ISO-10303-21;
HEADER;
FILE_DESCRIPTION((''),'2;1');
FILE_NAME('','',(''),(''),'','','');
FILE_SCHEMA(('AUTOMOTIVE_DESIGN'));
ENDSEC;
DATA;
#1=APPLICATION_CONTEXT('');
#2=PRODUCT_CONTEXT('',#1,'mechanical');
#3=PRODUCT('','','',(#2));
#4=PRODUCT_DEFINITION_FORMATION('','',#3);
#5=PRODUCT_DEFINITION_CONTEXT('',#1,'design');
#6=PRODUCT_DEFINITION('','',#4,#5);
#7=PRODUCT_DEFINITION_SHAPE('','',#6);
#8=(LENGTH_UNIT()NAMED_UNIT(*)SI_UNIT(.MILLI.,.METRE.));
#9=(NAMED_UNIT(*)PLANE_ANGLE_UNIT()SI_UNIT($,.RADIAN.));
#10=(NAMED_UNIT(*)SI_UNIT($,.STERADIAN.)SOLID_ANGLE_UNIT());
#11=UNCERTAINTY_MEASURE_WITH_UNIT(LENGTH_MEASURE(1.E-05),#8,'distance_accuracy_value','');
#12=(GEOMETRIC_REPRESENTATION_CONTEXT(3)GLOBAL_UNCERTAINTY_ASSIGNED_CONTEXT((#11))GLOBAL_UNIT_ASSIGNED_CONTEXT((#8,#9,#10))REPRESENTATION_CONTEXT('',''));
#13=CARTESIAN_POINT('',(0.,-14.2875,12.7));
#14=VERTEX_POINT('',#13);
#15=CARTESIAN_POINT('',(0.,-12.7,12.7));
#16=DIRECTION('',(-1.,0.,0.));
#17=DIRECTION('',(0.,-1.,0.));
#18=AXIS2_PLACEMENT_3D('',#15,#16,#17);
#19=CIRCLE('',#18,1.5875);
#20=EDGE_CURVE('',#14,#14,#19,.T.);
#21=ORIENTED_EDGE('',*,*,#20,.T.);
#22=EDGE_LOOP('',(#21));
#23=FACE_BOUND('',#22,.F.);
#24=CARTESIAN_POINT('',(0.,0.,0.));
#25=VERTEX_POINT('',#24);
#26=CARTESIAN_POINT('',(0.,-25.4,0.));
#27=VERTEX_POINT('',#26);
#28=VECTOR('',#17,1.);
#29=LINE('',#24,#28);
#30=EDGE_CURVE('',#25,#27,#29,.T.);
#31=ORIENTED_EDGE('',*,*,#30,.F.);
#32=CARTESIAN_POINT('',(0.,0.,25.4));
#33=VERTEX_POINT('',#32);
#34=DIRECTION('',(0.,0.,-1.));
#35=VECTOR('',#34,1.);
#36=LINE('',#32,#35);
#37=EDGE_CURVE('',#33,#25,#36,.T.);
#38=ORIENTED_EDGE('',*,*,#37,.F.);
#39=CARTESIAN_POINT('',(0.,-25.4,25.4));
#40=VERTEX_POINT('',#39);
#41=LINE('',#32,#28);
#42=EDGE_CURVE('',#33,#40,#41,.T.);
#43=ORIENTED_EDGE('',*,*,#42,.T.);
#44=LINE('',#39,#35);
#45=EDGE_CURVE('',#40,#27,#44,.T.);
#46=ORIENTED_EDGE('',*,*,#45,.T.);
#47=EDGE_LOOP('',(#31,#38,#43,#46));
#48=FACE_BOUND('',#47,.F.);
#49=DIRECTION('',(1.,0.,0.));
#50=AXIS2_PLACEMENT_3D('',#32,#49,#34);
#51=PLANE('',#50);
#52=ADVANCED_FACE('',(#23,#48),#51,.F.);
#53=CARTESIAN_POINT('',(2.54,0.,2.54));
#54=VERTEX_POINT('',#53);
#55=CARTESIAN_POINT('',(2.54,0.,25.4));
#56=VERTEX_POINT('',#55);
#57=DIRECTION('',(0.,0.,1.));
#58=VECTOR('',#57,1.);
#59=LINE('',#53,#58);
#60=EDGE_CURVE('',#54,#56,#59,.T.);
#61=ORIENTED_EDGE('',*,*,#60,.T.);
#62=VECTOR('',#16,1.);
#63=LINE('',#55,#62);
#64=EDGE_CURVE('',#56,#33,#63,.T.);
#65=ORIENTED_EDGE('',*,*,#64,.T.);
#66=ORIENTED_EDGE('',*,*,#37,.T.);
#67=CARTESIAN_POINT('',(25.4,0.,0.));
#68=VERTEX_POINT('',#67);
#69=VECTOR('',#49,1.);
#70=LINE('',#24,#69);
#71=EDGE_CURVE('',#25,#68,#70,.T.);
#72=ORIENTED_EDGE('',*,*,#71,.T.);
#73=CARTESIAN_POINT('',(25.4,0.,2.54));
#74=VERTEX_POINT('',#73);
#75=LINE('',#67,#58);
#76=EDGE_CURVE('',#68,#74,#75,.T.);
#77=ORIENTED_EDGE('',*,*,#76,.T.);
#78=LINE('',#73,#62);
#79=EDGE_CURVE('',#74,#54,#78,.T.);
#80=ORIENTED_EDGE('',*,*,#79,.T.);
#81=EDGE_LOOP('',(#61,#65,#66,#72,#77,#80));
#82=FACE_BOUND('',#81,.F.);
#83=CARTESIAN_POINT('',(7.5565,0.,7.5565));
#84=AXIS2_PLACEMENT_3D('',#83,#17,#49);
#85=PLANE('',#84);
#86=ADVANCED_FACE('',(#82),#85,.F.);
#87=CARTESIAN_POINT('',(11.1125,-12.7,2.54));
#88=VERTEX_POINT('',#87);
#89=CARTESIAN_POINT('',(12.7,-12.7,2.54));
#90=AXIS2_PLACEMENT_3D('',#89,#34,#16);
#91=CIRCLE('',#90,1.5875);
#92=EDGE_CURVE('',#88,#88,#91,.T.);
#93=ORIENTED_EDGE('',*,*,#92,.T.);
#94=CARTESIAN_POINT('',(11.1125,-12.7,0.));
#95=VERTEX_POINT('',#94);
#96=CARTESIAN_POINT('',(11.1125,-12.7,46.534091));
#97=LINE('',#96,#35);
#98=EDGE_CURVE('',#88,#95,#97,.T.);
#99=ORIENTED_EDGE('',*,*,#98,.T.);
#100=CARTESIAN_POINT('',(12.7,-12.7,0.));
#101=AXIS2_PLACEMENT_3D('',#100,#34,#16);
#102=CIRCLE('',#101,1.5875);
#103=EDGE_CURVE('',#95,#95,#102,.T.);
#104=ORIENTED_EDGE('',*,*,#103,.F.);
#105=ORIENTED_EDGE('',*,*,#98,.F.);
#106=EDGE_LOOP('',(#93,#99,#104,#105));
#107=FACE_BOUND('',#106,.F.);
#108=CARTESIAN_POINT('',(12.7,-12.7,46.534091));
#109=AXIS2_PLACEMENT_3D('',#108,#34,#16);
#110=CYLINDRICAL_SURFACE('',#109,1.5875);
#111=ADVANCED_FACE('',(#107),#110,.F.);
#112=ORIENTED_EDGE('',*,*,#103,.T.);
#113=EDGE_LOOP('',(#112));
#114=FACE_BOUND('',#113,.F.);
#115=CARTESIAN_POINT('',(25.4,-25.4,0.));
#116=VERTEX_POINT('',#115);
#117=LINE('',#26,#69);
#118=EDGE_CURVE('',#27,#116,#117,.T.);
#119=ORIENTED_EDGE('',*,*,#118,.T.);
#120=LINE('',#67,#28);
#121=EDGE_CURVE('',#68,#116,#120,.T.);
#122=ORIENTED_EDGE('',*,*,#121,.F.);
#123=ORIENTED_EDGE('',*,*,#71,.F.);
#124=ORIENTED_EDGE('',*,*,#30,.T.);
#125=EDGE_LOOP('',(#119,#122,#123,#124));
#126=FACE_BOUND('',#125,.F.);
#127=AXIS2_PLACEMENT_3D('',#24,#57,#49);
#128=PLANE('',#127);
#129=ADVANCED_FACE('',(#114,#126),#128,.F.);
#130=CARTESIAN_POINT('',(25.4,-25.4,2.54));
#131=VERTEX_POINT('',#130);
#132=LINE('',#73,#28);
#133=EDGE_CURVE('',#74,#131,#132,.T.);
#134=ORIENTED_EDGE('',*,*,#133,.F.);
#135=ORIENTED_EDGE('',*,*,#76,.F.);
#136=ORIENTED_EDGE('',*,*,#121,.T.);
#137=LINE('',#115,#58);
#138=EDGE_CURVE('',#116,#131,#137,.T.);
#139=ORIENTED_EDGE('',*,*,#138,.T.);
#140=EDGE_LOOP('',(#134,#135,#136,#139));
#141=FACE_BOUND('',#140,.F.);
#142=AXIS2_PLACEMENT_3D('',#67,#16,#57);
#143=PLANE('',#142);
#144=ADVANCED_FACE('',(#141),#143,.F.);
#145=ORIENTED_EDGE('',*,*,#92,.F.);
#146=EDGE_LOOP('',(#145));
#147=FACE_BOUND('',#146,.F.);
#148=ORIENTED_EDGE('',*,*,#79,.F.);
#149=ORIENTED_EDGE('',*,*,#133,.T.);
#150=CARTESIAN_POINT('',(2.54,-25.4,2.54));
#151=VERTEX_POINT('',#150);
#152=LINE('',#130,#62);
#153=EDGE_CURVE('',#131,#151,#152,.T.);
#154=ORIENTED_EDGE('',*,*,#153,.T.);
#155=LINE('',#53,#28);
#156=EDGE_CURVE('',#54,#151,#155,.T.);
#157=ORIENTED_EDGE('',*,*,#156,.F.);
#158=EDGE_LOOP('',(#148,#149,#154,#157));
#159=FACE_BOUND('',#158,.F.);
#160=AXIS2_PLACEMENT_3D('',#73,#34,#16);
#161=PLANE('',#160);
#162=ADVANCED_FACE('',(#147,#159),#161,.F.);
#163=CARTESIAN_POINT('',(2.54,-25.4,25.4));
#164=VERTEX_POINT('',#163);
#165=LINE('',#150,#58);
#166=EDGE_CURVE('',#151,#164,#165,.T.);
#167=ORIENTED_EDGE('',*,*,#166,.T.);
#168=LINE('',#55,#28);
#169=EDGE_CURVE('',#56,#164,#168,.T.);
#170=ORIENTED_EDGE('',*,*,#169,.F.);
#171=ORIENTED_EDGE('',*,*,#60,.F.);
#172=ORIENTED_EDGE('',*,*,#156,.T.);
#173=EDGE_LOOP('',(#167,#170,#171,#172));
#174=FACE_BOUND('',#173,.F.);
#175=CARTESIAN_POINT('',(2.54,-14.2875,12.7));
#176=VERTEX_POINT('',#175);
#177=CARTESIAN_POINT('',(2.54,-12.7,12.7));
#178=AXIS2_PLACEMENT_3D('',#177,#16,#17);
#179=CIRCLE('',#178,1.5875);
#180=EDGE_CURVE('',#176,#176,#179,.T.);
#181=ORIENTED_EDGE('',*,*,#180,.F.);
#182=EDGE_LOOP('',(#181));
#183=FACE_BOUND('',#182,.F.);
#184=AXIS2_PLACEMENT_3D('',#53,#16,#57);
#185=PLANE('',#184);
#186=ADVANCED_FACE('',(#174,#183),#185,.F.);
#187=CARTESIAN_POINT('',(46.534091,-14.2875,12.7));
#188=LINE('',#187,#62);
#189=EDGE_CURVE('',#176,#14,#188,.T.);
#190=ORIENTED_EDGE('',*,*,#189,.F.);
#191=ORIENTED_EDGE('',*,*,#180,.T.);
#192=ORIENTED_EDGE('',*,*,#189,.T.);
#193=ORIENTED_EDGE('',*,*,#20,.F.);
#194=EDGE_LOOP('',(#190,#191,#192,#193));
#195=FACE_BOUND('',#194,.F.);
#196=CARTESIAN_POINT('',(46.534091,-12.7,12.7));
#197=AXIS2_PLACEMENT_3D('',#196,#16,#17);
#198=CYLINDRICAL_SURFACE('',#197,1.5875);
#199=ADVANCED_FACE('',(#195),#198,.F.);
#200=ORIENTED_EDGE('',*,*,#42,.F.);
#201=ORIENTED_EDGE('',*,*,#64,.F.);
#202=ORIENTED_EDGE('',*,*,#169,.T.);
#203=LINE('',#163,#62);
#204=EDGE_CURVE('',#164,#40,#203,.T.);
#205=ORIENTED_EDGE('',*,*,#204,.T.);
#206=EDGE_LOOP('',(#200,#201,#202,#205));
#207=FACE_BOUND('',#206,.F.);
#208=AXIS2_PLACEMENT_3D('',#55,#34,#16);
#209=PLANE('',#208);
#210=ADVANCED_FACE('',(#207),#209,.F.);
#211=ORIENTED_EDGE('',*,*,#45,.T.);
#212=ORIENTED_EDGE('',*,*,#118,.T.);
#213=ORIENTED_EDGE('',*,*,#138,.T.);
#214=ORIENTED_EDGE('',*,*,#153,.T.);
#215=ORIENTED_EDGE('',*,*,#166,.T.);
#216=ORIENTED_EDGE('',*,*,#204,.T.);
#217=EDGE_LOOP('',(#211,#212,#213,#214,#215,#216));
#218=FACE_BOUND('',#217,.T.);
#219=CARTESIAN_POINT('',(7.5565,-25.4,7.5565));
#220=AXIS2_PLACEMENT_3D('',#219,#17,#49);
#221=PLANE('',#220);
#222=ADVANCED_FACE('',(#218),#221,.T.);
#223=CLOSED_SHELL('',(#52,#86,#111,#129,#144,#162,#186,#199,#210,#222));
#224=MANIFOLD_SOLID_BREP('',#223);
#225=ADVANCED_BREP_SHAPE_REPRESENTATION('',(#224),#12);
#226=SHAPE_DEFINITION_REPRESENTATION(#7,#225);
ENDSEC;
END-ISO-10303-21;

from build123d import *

# Parameters (mm, degrees)
F1_DEPTH   = 25.4
F4_D       = 3.175
F4_ON_F3_D = 3.175


with BuildPart() as f1:
    # F0 (on Front) → F1 (new body)
    with BuildSketch(Plane.XZ):
        Polygon((0, 25.4), (0, 0), (25.4, 0), (25.4, 2.54), (2.54, 2.54), (2.54, 25.4), align=None)
    extrude(amount=F1_DEPTH)

    # F4 (through all)
    with Locations(Plane.YZ.offset(2.54)):
        with Locations((-12.7, 12.7)):
            Hole(F4_D / 2)

    # F4 on F3 (through all)
    with Locations(Plane.XY.offset(2.54)):
        with Locations((12.7, -12.7)):
            Hole(F4_ON_F3_D / 2)


solid = f1.part
